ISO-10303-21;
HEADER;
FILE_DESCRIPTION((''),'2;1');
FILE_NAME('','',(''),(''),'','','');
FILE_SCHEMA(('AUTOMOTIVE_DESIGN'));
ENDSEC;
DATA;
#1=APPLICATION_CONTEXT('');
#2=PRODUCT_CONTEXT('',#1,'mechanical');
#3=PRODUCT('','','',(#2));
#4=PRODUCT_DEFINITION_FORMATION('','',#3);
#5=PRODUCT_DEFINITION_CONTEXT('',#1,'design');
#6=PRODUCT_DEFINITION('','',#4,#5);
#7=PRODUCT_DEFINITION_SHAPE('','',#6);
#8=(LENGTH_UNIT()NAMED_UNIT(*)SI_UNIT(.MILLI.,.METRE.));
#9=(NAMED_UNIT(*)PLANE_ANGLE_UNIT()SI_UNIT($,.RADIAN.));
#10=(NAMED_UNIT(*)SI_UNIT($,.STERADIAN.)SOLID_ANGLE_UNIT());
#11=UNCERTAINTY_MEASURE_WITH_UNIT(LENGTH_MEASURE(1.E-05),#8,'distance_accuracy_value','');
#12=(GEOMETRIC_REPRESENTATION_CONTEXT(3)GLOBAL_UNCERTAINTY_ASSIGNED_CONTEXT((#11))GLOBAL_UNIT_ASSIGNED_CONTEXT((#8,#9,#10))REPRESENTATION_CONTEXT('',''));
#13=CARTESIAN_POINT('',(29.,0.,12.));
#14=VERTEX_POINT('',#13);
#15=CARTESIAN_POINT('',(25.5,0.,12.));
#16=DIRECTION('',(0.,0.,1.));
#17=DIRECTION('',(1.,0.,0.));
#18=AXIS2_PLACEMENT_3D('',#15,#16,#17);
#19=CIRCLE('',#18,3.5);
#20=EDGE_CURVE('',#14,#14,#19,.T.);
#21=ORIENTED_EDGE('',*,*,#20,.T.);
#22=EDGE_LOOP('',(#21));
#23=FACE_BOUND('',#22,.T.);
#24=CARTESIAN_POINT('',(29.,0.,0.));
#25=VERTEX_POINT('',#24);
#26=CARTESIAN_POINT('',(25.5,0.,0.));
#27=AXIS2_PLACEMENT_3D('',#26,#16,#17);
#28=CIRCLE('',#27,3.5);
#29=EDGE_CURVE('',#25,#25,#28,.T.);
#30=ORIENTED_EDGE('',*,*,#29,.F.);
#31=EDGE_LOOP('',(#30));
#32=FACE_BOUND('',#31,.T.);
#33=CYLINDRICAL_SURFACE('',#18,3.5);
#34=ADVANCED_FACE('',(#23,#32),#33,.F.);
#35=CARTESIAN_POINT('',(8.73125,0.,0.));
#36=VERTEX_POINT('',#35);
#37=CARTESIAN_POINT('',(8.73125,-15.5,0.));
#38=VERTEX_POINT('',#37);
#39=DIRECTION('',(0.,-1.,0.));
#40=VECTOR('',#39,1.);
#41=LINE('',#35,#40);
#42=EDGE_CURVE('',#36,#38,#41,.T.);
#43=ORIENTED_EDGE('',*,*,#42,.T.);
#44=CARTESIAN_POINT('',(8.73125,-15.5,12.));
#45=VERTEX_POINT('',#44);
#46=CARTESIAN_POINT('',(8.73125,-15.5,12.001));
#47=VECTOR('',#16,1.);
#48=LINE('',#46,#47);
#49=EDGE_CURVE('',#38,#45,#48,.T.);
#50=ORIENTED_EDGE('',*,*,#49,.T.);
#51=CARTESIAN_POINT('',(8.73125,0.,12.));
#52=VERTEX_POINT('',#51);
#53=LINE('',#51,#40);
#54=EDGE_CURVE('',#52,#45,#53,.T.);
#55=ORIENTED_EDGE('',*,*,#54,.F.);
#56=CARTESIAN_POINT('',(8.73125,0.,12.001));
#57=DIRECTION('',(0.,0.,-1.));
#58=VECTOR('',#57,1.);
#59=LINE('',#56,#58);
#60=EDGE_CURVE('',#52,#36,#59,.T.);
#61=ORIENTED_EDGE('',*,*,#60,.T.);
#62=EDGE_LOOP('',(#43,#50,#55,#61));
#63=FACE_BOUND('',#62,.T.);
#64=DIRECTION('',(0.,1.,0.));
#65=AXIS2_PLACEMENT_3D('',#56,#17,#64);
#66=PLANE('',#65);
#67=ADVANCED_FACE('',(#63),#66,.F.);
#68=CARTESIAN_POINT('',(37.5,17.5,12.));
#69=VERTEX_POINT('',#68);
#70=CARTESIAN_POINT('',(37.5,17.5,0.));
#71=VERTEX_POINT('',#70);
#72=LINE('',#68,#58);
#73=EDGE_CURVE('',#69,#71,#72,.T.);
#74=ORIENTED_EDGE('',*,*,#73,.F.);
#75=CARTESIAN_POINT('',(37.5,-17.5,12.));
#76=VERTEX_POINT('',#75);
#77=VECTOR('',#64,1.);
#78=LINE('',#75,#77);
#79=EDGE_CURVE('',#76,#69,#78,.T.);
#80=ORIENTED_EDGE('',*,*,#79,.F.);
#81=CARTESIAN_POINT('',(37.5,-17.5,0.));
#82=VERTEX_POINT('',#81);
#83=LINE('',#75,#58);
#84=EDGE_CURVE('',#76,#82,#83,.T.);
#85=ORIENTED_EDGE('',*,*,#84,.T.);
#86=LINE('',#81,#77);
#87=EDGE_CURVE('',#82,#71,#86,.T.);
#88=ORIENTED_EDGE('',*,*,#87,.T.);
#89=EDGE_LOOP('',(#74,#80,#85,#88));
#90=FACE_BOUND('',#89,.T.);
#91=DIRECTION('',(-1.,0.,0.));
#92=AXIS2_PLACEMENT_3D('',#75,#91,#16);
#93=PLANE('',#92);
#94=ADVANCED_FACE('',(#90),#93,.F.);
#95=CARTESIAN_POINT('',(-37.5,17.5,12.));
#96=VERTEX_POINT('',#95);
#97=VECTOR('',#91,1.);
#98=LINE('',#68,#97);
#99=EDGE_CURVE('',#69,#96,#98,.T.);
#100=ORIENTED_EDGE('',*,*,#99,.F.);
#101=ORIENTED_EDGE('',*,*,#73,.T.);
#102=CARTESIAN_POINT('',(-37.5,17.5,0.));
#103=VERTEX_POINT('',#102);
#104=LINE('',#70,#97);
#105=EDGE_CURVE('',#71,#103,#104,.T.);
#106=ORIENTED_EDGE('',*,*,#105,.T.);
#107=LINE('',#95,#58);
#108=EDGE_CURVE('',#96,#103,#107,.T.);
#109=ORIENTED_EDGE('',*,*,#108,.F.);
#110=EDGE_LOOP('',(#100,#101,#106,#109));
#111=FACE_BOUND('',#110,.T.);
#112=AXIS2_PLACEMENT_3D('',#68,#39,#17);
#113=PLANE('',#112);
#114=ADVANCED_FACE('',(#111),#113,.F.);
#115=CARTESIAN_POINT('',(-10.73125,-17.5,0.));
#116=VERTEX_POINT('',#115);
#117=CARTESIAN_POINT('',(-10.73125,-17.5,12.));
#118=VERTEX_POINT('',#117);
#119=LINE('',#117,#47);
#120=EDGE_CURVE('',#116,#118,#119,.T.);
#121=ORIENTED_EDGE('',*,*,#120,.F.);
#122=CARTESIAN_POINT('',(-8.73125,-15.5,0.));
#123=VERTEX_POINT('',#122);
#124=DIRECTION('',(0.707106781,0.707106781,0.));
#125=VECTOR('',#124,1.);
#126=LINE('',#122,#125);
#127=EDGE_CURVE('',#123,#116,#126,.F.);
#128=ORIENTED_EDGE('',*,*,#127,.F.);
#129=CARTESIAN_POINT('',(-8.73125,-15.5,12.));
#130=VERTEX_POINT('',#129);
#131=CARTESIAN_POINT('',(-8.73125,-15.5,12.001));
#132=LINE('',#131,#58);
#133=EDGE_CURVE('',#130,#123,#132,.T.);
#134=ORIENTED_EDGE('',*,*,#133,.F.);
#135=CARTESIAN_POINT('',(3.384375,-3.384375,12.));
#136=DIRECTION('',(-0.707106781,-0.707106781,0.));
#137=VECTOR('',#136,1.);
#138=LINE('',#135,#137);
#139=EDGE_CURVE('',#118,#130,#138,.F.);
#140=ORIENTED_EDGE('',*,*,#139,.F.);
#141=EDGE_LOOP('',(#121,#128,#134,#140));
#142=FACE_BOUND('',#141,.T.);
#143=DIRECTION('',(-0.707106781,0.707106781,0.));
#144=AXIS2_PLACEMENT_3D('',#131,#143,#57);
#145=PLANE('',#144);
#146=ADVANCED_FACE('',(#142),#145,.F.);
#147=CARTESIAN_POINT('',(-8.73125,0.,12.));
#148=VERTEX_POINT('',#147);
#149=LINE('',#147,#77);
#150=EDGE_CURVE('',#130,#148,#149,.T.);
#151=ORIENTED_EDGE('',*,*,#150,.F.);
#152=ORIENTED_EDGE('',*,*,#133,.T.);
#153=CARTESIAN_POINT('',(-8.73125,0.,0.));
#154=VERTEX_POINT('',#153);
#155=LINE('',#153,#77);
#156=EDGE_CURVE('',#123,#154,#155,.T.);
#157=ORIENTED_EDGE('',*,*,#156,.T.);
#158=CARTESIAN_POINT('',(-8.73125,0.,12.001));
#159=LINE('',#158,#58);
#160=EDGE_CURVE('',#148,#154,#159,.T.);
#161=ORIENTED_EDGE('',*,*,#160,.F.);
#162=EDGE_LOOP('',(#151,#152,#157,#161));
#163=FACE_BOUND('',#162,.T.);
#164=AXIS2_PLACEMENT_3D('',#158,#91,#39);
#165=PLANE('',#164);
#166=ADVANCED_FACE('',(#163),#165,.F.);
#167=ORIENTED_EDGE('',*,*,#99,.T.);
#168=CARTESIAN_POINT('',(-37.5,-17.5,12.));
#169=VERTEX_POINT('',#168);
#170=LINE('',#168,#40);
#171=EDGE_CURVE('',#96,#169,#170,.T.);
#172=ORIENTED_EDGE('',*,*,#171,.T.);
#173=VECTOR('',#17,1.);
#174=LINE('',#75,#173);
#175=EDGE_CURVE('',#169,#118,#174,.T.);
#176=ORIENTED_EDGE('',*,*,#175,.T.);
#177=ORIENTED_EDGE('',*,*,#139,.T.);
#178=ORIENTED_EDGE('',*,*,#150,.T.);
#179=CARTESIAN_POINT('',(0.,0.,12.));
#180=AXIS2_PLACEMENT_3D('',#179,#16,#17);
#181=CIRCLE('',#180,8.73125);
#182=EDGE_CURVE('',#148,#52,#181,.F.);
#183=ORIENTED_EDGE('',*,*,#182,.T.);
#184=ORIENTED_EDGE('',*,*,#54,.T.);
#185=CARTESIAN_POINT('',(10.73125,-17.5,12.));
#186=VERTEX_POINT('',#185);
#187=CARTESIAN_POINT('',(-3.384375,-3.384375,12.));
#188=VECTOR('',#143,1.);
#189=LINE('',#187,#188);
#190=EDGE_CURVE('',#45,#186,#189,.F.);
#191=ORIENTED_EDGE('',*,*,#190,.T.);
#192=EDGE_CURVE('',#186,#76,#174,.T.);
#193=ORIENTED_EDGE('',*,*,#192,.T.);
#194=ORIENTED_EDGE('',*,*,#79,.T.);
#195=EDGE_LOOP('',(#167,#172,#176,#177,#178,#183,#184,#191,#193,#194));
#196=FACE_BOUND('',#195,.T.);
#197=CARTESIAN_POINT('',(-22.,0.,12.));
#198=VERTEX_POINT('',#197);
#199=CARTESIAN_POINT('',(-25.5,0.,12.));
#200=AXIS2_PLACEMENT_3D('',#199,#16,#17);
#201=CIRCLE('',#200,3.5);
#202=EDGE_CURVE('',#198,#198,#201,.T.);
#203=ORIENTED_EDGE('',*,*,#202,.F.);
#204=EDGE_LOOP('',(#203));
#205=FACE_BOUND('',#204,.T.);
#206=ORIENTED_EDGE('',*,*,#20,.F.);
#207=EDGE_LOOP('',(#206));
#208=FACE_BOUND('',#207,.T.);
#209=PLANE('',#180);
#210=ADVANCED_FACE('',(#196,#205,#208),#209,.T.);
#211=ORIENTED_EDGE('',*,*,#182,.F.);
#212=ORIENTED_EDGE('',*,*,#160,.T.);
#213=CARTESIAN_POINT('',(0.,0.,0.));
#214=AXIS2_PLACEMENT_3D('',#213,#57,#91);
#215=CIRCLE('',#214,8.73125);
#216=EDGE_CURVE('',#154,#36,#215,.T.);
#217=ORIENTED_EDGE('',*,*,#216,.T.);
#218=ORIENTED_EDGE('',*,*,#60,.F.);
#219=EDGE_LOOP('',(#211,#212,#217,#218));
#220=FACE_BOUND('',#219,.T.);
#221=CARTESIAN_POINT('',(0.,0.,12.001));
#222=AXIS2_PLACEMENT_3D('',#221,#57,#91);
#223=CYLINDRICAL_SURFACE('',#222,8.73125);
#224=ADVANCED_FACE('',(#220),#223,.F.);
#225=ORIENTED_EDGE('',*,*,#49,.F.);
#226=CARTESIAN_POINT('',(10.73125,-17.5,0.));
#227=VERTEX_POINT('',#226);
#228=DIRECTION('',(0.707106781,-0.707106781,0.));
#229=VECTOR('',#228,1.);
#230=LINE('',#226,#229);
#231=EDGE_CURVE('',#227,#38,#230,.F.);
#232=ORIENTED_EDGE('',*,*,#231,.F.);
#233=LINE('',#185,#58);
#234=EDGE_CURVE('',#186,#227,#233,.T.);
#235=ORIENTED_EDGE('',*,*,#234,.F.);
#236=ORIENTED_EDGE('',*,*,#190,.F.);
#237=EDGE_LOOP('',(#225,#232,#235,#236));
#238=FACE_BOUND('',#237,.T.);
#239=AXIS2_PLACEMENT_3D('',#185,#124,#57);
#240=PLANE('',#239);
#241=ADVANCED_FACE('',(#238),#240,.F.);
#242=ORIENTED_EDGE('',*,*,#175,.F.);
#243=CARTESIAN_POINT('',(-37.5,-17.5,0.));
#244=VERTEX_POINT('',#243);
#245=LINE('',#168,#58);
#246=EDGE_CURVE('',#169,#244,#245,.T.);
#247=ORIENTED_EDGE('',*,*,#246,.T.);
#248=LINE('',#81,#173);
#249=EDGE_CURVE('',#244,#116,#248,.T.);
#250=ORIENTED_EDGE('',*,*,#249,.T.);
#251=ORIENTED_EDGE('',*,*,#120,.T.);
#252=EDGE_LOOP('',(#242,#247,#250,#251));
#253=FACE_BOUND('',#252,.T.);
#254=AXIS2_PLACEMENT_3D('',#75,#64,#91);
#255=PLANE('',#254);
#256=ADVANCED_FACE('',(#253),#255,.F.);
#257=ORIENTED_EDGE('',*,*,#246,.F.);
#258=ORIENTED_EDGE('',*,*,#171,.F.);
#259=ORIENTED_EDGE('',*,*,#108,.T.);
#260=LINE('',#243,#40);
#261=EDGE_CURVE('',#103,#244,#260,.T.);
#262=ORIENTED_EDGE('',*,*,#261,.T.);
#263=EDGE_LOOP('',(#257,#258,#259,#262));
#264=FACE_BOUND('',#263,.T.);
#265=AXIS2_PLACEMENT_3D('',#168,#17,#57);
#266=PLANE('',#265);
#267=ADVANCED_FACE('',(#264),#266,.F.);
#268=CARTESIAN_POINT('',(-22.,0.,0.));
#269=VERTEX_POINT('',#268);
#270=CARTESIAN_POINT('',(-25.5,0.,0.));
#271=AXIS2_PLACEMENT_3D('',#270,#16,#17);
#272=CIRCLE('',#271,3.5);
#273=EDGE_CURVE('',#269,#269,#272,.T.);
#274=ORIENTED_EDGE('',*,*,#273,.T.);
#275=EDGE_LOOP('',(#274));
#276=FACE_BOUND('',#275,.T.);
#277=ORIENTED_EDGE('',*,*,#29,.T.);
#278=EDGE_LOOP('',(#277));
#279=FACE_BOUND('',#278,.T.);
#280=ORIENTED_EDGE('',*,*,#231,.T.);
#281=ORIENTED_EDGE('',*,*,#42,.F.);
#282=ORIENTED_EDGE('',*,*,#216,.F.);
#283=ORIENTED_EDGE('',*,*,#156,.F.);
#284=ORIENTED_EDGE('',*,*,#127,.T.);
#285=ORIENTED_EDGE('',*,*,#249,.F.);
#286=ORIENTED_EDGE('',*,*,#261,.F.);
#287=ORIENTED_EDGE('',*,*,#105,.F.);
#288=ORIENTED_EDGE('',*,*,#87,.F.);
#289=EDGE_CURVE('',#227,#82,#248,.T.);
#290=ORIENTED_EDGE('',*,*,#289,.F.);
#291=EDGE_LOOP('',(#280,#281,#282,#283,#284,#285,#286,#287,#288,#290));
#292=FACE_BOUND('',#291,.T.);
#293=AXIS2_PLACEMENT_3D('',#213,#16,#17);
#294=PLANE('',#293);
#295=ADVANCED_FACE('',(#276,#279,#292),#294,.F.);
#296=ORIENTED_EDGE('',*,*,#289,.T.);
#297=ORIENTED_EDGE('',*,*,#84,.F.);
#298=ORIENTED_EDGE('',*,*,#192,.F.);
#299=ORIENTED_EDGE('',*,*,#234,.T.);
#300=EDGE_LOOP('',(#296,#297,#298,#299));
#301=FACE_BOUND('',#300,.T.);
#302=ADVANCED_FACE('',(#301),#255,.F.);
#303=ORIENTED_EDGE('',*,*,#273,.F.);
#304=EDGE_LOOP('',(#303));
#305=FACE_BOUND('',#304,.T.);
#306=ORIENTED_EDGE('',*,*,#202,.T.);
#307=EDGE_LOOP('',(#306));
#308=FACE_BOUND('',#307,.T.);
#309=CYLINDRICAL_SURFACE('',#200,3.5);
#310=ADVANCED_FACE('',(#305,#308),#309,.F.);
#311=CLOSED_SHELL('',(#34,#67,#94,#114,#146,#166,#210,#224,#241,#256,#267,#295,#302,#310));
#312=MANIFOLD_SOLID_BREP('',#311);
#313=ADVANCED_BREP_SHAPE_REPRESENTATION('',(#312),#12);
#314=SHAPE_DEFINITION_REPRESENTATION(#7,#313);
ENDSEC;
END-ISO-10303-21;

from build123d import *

# Parameters (mm, degrees)
SKETCH1_W             = 75
SKETCH1_H             = 35
BOSS_EXTRUDE1_DEPTH   = 12
CUT_EXTRUDE1_REACH    = 45.087
M8X1_0_TAPPED_HOLE1_D = 7
CHAMFER1_SIZE         = 2


with BuildPart() as part:
    # Sketch1 → Boss-Extrude1 (new body)
    with BuildSketch(Plane.XY):
        Rectangle(SKETCH1_W, SKETCH1_H)
    extrude(amount=BOSS_EXTRUDE1_DEPTH)

    # Sketch2 → Cut-Extrude1 (cut, up to next)
    with BuildSketch(Plane(origin=(0, 0, 0), x_dir=(-1, 0, 0), z_dir=(0, 0, -1)), mode=Mode.PRIVATE) as cut_extrude1_sk1:
        with BuildLine():
            Line((-8.73125, 0), (-8.73125, -17.5))
            Line((-8.73125, -17.5), (8.73125, -17.5))
            Line((8.73125, -17.5), (8.73125, 0))
            ThreePointArc((8.73125, 0), (0, 8.73125), (-8.73125, 0))
        make_face()
    cut_extrude1_tool1 = extrude(cut_extrude1_sk1.sketch, amount=-CUT_EXTRUDE1_REACH, mode=Mode.PRIVATE) & part.part
    add(cut_extrude1_tool1.solids().sort_by_distance((0, -5.243288, 0))[0], mode=Mode.SUBTRACT)

    # M8x1.0 Tapped Hole1 (through all)
    with Locations(Plane.XY.offset(12)):
        with Locations((-25.5, 0), (25.5, 0)):
            Hole(M8X1_0_TAPPED_HOLE1_D / 2)

    # Chamfer1
    chamfer1_edges = [part.edges().sort_by_distance(p)[0] for p in [
        (-8.73125, -17.5, 6),
        (8.73125, -17.5, 6),
    ]]
    chamfer(chamfer1_edges, length=CHAMFER1_SIZE)


solid = part.part
